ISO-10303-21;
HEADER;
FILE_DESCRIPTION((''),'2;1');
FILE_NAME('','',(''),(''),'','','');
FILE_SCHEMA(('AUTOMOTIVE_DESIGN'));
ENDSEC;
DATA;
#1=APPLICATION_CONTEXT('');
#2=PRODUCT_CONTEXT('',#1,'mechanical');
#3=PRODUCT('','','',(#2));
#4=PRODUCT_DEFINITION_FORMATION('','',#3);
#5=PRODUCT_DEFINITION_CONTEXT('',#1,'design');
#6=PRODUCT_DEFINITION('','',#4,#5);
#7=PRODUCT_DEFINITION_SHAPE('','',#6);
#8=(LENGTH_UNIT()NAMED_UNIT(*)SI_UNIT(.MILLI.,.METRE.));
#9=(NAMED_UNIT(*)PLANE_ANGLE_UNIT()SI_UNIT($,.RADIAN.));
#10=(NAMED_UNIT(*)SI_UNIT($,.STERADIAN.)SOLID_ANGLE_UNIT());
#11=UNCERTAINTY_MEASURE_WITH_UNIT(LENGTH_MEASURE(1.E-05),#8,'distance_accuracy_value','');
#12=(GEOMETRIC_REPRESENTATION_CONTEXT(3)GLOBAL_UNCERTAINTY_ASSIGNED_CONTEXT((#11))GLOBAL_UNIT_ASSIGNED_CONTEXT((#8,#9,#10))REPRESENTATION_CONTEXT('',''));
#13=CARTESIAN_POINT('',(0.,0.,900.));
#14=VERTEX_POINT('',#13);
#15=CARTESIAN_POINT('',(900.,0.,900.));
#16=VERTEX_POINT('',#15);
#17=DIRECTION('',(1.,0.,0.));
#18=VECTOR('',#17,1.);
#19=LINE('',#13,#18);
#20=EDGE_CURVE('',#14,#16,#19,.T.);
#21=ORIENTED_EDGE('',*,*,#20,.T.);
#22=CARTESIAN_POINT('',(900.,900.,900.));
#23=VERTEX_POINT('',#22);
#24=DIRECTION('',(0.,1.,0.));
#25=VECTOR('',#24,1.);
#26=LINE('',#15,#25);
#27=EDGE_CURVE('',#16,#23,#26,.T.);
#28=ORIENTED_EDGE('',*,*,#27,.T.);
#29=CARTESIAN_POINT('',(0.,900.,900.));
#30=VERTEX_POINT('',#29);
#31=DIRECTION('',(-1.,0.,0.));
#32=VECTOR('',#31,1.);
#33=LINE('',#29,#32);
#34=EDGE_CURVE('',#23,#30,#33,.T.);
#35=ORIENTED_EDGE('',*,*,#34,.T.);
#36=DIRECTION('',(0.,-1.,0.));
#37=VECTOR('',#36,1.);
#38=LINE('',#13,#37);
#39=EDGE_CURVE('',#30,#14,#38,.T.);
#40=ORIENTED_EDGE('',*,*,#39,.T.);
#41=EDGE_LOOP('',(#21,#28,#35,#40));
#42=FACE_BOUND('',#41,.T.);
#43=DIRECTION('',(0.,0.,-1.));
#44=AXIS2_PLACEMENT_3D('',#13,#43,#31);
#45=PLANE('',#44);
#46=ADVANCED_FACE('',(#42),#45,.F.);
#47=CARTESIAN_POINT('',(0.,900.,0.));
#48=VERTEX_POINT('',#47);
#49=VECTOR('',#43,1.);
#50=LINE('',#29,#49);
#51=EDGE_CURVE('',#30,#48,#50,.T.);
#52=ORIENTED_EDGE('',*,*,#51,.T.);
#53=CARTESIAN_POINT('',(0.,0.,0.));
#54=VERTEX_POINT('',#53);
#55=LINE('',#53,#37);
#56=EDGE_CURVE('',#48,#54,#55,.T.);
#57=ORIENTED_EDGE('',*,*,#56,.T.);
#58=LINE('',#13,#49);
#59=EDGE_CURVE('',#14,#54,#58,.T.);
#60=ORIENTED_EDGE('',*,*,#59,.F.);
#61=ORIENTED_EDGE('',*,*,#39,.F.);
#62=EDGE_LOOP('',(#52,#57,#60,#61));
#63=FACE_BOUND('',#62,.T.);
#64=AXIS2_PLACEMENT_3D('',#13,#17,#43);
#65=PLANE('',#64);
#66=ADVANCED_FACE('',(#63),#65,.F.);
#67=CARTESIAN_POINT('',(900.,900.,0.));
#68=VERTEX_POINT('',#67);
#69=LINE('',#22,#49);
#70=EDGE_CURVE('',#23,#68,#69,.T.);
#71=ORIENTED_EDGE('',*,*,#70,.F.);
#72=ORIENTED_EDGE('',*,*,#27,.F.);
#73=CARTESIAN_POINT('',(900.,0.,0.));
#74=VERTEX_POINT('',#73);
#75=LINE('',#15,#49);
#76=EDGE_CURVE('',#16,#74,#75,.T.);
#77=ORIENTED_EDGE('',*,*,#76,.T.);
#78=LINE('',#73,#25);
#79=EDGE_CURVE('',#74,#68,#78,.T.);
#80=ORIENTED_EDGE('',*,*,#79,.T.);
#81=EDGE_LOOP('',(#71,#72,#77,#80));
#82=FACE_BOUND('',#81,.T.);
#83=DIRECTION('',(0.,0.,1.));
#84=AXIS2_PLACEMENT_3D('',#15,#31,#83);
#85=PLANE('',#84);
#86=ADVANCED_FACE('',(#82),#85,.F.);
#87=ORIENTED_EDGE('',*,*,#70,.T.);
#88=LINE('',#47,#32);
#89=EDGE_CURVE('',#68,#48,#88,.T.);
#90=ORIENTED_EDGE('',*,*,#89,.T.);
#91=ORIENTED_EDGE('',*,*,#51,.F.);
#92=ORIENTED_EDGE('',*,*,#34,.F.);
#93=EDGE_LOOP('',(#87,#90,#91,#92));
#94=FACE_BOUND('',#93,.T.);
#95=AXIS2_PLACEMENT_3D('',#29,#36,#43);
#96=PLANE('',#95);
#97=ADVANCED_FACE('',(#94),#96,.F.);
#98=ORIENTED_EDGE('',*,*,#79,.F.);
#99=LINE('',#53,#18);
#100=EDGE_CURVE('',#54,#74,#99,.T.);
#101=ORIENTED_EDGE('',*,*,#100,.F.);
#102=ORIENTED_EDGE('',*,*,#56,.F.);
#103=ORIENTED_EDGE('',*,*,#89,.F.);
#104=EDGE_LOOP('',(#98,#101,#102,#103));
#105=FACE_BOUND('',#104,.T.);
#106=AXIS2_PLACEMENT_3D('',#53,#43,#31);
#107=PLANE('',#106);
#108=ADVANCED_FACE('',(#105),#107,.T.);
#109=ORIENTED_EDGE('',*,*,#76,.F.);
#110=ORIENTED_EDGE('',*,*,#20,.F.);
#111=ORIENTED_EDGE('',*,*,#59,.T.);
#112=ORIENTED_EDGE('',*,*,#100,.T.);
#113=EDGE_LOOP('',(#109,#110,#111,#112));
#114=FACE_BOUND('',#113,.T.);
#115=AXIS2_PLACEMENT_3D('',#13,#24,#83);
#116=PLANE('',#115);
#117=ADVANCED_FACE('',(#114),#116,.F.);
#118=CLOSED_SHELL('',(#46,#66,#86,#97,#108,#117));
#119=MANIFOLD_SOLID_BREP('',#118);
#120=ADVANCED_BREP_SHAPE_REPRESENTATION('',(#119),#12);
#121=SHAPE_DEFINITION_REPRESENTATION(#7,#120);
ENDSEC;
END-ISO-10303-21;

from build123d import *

# Parameters (mm, degrees)
SKETCH_1_W      = 900
SKETCH_1_H      = 900
EXTRUDE_1_DEPTH = 900


with BuildPart() as part:
    # ｽｹｯﾁ1 → ﾎﾞｽ - 押し出し1 (new body)
    with BuildSketch(Plane.XY):
        with Locations((450, 450)):
            Rectangle(SKETCH_1_W, SKETCH_1_H)
    extrude(amount=EXTRUDE_1_DEPTH)


solid = part.part
